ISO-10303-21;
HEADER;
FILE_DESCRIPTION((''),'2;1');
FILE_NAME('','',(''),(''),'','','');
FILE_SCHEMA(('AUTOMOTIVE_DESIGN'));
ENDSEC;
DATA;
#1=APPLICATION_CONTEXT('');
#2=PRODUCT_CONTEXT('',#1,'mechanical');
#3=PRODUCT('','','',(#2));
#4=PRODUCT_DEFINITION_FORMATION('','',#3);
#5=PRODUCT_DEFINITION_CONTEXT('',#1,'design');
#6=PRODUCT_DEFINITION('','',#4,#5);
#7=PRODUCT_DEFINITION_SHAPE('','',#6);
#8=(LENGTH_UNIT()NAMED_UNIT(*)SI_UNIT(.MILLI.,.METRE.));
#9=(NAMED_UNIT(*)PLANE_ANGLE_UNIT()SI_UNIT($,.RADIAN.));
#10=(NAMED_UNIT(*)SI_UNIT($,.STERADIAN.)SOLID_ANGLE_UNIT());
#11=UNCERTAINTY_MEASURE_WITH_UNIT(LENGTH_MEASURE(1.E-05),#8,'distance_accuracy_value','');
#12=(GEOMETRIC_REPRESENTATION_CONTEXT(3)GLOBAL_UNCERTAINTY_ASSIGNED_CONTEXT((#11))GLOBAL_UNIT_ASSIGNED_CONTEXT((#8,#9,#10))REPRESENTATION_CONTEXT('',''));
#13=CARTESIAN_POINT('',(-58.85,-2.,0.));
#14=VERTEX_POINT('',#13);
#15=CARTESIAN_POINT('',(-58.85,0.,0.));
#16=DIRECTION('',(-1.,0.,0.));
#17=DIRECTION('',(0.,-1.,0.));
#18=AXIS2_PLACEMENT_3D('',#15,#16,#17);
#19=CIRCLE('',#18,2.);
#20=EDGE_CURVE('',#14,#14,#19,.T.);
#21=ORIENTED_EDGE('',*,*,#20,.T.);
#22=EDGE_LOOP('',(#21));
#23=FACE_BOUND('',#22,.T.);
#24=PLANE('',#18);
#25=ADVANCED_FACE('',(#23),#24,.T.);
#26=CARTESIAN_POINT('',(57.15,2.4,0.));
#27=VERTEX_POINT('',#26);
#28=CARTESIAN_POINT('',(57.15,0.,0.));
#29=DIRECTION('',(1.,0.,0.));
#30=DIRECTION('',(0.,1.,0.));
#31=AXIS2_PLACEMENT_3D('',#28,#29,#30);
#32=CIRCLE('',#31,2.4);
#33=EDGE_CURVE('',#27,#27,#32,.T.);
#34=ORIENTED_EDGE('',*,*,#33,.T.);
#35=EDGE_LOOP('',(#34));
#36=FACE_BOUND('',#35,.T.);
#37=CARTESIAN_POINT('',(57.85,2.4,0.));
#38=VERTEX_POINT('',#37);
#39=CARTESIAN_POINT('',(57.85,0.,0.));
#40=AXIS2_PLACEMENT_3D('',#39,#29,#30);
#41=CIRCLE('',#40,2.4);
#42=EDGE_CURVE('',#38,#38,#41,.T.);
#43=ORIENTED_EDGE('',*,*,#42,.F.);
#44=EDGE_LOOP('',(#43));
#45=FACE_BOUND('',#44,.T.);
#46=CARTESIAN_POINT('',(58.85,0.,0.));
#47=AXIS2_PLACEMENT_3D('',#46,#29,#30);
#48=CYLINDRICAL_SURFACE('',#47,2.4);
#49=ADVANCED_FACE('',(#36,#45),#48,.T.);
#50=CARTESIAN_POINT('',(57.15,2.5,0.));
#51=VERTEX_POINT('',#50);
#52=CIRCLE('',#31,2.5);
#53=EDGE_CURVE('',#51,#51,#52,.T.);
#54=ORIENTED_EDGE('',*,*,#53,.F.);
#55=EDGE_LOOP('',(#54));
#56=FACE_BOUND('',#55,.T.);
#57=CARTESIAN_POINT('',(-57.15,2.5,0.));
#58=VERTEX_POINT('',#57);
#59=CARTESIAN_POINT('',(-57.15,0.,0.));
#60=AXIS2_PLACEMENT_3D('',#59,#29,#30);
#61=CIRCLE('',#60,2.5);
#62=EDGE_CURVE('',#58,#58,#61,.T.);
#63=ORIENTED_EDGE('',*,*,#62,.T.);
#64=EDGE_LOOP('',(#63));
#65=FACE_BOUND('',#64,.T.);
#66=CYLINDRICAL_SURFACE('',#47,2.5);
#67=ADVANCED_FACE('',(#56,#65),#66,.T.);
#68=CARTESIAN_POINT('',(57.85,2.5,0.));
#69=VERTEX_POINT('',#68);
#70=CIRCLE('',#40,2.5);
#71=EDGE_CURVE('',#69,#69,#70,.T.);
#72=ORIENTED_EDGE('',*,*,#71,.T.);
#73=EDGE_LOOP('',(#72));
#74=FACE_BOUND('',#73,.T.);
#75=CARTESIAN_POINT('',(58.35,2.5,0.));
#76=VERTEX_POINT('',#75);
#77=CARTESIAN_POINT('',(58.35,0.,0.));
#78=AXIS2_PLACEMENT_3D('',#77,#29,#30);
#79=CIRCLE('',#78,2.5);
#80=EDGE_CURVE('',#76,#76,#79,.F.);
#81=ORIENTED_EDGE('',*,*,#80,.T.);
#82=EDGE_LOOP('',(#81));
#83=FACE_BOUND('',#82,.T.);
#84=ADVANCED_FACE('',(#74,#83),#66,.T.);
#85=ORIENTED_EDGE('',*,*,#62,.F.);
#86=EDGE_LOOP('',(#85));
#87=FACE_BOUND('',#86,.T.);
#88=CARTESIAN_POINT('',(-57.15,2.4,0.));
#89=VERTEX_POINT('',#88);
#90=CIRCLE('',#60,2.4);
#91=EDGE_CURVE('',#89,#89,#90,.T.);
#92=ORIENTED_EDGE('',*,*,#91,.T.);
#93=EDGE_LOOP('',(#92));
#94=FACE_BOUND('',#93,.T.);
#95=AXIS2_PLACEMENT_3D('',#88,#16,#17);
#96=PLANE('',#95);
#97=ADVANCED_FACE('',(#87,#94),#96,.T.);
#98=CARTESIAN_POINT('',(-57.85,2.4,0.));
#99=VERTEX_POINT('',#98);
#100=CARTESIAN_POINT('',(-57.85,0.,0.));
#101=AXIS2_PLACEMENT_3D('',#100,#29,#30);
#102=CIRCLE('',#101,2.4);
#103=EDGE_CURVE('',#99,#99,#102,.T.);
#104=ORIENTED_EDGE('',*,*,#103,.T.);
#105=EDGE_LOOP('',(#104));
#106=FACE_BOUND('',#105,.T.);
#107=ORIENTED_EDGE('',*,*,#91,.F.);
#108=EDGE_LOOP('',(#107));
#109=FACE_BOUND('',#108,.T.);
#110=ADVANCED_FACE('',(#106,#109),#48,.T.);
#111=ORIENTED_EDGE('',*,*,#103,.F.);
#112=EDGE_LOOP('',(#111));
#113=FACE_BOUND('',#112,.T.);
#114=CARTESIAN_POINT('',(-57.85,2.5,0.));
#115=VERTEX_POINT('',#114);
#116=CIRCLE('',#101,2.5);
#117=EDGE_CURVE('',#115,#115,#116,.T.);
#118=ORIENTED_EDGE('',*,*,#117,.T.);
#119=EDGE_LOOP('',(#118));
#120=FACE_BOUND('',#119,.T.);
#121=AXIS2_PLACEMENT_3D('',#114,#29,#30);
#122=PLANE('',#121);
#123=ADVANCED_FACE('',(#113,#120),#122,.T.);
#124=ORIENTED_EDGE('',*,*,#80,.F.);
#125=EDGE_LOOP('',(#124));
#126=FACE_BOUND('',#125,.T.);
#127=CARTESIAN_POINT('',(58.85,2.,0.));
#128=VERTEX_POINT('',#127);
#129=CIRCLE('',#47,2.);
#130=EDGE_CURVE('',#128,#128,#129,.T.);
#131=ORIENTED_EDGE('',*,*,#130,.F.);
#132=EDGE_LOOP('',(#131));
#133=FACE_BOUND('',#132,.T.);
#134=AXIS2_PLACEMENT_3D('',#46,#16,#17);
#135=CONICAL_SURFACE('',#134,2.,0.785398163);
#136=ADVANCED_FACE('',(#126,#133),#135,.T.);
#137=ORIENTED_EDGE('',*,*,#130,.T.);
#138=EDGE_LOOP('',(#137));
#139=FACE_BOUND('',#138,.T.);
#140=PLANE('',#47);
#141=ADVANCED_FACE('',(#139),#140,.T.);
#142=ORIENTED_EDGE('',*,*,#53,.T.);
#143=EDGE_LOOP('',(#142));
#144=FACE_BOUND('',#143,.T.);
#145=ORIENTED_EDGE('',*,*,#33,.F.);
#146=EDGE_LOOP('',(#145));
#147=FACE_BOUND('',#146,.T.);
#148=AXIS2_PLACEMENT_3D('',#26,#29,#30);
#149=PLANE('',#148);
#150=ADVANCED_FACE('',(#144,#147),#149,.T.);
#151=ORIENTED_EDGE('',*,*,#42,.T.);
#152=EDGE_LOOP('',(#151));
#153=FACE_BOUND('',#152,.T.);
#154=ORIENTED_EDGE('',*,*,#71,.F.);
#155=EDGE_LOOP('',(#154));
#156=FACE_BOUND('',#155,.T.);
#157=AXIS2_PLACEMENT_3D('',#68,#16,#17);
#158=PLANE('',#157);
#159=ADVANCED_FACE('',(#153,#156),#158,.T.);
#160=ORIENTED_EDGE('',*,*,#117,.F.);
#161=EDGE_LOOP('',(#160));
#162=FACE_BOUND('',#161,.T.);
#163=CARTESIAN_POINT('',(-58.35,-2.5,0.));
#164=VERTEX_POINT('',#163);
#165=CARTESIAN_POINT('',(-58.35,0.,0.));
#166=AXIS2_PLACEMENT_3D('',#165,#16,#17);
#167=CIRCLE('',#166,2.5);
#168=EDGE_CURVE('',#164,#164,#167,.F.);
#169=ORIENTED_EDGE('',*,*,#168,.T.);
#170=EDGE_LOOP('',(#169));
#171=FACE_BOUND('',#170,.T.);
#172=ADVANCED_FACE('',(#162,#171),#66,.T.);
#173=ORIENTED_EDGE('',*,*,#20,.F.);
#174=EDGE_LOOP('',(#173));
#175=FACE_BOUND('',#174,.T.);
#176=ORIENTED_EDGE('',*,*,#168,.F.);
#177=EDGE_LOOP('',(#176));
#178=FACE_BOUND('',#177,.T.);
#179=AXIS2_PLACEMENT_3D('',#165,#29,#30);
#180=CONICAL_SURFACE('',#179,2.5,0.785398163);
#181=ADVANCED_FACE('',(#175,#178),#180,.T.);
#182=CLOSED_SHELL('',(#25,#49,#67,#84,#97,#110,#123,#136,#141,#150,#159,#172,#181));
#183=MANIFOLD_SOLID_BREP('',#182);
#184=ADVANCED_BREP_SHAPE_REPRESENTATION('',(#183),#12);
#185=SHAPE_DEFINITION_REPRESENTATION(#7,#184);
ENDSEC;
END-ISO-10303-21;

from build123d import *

# Parameters (mm, degrees)
CHAMFER_1_SIZE = 0.5


with BuildPart() as part:
    # 草图1 → 旋转1 (revolve)
    with BuildSketch(Plane.XY):
        Polygon((58.85, 0), (58.85, 2.5), (57.85, 2.5), (57.85, 2.4), (57.15, 2.4), (57.15, 2.5), (-57.15, 2.5), (-57.15, 2.4), (-57.85, 2.4), (-57.85, 2.5), (-58.85, 2.5), (-58.85, 0), align=None)
    revolve(axis=Axis((58.85, 0, 0), (-1, 0, 0)))

    # 倒角1
    chamfer_1_edges = [part.edges().sort_by_distance(p)[0] for p in [
        (-58.85, -2.5, 0),
        (58.85, -2.5, 0),
    ]]
    chamfer(chamfer_1_edges, length=CHAMFER_1_SIZE)


solid = part.part
